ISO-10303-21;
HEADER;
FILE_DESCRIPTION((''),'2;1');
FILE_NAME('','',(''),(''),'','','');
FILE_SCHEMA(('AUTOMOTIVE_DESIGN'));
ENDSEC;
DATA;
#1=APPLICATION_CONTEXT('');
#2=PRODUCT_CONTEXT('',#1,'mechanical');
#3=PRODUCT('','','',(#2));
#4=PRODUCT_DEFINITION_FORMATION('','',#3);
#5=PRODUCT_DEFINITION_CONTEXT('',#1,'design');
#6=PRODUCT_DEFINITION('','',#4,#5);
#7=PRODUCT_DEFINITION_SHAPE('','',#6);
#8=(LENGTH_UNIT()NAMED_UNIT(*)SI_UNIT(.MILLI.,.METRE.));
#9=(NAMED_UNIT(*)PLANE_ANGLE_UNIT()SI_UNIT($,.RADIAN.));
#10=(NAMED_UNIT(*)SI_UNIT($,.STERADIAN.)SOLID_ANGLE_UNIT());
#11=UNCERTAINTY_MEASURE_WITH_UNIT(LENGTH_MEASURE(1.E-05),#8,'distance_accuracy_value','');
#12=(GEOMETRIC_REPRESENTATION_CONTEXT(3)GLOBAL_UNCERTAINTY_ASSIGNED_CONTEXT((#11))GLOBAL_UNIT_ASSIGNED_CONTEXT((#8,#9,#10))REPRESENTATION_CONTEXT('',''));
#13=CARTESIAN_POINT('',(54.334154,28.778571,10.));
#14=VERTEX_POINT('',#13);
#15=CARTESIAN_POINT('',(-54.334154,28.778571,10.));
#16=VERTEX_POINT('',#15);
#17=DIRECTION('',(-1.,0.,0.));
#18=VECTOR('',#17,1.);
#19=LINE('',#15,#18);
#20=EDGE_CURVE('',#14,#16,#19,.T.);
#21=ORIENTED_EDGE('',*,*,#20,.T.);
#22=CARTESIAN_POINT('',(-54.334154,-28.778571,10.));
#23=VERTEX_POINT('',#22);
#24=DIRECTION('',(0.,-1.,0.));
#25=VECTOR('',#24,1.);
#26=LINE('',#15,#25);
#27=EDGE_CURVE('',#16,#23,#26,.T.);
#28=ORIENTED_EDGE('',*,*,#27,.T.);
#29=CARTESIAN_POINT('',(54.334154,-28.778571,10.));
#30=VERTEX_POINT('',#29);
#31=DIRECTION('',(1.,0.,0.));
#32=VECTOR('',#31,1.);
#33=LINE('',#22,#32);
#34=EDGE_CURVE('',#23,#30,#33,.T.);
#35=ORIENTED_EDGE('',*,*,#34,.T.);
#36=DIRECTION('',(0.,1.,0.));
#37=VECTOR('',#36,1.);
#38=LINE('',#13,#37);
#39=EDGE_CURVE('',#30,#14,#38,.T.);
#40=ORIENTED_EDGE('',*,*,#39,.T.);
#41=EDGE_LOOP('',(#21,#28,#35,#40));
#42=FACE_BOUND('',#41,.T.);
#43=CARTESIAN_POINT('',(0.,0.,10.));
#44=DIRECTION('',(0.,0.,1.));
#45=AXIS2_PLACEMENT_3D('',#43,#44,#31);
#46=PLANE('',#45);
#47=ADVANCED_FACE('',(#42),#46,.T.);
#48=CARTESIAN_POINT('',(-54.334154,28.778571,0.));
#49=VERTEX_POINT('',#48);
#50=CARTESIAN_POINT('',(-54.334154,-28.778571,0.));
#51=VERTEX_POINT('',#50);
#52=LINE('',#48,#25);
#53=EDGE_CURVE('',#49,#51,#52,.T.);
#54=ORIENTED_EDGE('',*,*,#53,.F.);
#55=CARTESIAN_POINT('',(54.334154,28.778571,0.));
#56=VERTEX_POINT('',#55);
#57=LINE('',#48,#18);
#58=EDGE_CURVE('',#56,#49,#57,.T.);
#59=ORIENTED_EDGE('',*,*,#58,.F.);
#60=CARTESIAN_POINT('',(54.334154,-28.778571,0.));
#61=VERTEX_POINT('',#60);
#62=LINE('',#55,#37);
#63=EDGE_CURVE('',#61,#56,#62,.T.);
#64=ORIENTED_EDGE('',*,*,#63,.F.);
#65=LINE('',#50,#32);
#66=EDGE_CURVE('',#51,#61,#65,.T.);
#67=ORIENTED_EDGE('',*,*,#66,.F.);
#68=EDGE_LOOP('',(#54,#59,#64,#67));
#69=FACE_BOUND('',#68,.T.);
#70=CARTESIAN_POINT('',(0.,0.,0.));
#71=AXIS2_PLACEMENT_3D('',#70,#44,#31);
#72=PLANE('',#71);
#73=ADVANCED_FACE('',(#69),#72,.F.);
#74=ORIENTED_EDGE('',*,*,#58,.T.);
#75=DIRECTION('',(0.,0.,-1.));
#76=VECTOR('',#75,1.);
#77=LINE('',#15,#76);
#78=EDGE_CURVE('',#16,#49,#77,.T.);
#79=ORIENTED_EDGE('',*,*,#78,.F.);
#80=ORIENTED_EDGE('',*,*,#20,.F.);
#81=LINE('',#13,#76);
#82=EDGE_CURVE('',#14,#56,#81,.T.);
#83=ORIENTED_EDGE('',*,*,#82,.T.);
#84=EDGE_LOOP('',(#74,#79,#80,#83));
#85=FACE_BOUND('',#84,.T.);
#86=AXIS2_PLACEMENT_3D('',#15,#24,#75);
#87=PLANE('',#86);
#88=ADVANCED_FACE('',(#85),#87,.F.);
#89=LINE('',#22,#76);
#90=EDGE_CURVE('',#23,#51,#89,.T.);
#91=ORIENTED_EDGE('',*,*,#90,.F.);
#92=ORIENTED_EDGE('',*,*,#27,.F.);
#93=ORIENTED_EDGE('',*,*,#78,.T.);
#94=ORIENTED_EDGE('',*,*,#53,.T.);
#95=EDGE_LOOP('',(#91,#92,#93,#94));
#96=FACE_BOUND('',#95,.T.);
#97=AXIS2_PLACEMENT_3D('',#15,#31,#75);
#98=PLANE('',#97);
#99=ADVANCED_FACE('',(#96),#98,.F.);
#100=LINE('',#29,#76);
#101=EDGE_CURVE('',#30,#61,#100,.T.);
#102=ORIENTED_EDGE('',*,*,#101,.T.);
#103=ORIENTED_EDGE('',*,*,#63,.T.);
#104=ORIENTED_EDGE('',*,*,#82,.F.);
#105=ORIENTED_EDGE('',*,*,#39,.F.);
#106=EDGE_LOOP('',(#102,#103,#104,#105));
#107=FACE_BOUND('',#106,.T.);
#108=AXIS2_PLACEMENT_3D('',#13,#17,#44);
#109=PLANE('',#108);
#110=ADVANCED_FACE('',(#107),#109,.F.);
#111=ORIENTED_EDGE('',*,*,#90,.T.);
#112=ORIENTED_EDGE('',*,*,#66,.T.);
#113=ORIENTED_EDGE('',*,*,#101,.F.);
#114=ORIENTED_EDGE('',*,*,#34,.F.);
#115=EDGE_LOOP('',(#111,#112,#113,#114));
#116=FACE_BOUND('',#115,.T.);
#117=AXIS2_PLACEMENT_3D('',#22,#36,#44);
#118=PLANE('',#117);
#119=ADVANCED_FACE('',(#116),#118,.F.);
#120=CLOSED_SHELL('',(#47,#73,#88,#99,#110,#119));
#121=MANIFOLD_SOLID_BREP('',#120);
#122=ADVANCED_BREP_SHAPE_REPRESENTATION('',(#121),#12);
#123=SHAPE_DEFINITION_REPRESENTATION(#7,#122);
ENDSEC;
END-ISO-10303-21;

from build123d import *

# Parameters (mm, degrees)
SKETCH_1_W      = 108.668307982
SKETCH_1_H      = 57.557142858
EXTRUDE_1_DEPTH = 10


with BuildPart() as part:
    # 草圖1 → 填料-伸長1 (new body)
    with BuildSketch(Plane.XY):
        Rectangle(SKETCH_1_W, SKETCH_1_H)
    extrude(amount=EXTRUDE_1_DEPTH)


solid = part.part
